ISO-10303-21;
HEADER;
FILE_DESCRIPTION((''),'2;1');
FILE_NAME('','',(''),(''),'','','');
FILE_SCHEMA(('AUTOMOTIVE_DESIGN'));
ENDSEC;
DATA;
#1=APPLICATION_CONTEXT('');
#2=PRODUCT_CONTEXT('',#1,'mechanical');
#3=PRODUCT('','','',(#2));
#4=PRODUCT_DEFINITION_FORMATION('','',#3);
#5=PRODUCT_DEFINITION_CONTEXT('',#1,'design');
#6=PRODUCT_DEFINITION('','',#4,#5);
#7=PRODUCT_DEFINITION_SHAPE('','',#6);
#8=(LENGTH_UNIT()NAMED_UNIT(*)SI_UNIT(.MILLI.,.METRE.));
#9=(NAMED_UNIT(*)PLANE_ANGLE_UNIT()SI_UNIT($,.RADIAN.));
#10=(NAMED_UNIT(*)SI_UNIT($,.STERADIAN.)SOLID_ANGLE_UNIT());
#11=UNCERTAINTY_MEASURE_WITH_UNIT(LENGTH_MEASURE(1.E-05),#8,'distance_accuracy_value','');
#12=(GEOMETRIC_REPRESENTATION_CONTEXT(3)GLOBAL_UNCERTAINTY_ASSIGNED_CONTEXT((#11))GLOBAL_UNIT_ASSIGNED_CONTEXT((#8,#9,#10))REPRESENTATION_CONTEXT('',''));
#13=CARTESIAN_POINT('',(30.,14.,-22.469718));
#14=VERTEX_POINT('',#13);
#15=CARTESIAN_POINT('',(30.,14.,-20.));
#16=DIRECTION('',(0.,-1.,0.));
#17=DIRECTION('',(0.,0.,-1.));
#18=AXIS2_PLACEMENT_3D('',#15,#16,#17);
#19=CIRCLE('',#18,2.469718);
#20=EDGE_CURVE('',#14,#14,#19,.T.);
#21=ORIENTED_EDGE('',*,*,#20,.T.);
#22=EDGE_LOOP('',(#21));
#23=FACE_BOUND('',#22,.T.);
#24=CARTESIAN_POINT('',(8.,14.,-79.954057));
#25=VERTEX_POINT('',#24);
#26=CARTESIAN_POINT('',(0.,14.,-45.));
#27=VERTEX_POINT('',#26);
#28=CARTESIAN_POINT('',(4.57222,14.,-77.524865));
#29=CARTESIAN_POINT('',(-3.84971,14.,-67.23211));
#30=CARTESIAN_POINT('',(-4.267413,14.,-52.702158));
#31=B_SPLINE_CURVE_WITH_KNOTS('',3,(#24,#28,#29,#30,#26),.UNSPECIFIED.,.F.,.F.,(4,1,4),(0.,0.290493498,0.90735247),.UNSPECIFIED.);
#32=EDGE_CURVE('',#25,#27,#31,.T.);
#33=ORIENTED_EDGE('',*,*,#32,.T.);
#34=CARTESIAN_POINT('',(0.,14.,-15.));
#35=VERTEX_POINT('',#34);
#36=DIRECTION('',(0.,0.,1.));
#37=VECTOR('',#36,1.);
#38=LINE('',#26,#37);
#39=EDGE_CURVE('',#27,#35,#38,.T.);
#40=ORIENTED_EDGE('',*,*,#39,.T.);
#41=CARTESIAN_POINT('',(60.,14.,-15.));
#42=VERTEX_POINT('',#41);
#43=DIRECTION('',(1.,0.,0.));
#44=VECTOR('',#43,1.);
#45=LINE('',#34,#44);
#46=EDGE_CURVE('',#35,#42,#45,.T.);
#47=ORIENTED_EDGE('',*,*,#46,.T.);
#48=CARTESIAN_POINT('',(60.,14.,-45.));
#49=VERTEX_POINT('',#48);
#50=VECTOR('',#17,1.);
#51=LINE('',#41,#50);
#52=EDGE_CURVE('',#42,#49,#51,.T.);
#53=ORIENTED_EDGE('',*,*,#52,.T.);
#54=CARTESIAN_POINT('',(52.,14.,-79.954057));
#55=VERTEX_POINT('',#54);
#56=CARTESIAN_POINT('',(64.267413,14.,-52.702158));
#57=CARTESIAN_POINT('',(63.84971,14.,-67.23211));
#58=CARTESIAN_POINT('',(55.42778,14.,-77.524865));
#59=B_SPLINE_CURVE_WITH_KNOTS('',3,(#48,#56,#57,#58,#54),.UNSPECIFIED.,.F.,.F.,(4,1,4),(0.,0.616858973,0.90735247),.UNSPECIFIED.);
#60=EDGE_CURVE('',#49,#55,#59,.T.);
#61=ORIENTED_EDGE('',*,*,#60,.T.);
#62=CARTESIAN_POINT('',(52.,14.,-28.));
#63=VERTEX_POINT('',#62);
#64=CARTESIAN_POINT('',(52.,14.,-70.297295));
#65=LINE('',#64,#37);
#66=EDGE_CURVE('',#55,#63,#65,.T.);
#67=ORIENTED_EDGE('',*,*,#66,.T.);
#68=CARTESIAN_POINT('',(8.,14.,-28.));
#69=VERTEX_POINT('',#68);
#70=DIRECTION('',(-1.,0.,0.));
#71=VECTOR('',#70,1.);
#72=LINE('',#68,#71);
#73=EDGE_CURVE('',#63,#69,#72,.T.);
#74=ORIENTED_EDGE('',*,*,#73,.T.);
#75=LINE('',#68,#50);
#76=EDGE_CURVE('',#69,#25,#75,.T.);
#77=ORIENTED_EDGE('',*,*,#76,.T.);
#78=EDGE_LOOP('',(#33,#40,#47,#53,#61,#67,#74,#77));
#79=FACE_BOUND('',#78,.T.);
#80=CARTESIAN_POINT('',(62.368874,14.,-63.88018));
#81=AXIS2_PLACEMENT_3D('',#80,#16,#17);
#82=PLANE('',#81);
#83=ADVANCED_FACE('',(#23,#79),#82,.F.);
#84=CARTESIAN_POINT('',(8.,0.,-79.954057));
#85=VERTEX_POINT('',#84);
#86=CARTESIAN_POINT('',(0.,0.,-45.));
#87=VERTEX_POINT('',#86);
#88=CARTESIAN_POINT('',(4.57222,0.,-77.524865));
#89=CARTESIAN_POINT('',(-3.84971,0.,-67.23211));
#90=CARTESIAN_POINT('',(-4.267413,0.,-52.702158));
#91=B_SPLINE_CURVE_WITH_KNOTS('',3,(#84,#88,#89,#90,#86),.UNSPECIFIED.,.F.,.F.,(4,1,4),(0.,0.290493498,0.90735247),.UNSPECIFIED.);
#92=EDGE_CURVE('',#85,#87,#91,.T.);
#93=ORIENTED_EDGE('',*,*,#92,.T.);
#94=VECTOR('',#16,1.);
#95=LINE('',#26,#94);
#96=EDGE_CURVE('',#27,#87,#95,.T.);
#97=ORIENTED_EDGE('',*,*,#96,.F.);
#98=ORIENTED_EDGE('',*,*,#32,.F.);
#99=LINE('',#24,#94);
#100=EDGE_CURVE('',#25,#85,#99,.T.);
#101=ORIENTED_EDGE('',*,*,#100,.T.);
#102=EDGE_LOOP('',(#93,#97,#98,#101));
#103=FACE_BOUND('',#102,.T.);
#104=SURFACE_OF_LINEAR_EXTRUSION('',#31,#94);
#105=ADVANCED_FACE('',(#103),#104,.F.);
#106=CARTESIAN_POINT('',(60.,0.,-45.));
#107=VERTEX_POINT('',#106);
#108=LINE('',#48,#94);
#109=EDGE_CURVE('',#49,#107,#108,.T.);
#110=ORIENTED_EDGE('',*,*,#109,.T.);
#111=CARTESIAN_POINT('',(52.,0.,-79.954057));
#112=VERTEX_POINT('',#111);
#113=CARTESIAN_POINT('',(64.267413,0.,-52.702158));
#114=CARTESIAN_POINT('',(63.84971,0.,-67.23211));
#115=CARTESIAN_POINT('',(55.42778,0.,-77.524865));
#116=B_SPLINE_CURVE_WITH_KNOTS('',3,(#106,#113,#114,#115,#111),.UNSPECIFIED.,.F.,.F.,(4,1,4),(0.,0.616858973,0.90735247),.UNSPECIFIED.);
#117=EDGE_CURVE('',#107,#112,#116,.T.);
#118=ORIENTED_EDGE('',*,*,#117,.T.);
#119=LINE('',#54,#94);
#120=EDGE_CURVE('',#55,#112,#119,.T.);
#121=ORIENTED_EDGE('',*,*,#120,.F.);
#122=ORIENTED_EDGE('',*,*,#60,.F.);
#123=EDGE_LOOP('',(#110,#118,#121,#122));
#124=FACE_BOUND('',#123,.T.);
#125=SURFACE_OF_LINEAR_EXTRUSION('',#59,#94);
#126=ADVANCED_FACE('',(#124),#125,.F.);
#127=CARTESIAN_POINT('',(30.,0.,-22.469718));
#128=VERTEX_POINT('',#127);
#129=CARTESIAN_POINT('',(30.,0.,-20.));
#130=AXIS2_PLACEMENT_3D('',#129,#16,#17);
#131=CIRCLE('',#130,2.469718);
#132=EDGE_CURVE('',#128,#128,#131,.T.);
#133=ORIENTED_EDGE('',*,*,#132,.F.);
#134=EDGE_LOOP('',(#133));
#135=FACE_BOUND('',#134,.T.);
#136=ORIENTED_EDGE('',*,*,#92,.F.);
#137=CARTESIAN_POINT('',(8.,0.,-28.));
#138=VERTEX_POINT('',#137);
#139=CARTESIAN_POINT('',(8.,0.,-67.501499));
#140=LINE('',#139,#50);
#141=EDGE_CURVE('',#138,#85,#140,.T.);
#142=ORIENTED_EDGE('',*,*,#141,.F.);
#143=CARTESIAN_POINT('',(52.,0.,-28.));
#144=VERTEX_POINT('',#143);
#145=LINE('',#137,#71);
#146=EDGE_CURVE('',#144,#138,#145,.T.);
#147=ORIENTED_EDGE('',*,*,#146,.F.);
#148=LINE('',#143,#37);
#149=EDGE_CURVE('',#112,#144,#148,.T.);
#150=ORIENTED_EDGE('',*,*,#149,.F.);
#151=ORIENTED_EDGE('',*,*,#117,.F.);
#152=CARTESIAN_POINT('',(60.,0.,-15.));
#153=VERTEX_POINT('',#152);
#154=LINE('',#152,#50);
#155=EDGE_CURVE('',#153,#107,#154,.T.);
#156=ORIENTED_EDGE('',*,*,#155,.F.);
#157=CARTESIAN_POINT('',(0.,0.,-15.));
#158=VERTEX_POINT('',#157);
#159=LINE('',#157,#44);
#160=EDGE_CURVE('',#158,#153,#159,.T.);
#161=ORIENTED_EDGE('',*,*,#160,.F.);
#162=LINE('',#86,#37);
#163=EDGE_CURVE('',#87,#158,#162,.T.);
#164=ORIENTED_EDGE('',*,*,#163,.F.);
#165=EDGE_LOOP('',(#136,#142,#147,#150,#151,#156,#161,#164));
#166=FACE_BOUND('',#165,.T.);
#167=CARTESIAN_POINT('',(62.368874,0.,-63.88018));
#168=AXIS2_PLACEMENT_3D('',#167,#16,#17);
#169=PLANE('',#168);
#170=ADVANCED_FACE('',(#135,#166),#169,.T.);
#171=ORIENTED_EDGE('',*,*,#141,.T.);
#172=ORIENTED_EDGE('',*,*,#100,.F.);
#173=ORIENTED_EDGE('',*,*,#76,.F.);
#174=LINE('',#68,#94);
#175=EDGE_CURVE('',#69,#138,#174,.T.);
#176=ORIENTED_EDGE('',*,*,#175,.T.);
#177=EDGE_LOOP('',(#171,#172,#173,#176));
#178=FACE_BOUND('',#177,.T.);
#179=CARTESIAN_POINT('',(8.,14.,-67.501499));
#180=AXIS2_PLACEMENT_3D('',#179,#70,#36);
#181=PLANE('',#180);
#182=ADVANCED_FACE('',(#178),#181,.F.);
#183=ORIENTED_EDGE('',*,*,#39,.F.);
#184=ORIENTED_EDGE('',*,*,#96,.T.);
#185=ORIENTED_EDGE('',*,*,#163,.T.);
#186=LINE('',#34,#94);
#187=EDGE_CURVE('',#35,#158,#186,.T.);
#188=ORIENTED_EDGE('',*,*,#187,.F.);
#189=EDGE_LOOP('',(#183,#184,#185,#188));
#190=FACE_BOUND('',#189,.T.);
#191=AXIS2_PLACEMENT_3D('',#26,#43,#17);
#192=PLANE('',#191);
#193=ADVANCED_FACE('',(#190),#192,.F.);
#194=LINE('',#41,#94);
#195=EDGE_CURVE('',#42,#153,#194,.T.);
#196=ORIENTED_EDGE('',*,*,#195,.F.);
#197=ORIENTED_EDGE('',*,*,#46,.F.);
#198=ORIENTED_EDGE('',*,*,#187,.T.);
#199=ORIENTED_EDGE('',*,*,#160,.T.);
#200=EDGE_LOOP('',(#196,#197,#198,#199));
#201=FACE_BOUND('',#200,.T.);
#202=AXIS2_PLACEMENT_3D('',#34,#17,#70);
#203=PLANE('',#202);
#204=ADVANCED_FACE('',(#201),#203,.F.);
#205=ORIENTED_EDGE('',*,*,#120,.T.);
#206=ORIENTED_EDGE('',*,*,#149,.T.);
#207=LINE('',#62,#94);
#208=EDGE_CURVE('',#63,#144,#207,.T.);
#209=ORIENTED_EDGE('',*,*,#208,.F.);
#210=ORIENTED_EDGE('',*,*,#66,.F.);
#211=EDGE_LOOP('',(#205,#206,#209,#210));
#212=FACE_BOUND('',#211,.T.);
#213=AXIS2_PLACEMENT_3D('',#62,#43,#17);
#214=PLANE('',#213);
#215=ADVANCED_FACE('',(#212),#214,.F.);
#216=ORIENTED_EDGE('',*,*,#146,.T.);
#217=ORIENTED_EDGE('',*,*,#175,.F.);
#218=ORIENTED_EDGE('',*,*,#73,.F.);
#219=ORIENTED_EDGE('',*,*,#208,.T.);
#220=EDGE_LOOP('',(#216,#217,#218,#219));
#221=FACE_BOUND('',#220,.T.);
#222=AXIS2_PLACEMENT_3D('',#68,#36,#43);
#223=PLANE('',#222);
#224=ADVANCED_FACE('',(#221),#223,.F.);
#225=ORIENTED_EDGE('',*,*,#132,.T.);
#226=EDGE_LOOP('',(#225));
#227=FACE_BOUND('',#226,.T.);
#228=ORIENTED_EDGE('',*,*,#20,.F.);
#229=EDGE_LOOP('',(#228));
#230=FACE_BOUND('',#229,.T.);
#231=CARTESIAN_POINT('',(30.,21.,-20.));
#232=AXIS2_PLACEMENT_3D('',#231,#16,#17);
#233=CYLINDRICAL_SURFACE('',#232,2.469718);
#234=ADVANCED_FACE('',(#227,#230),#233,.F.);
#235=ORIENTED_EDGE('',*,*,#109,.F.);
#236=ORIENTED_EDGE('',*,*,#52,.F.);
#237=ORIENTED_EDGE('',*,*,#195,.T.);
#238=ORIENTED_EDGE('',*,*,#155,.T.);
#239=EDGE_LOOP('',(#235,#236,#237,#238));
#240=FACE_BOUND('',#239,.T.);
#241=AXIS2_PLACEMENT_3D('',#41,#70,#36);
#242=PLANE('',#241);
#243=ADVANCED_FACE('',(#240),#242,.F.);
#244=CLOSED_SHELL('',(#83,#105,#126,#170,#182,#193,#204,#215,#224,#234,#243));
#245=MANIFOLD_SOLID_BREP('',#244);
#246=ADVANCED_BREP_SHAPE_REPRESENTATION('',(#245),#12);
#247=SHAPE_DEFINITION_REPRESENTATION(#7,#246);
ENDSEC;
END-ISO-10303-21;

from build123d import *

# Parameters (mm, degrees)
BOSS_EXTRUDE1_DEPTH = 14
SKETCH3_R           = 2.469718116
CUT_EXTRUDE1_DEPTH  = 21


with BuildPart() as part:
    # Sketch1 → Boss-Extrude1 (new body)
    with BuildSketch(Plane(origin=(0, 0, 0), x_dir=(1, 0, 0), z_dir=(0, 1, 0))):
        with BuildLine():
            Line((8, 67.50149873), (8, 79.954057008))
            add(Edge.make_bspline(
                [(0, 45), (-4.267413412, 52.702157849), (-3.849710429, 67.232110416), (4.572220088, 77.524864833), (8, 79.954057008)],
                knots=[0, 0, 0, 0, 0.616858973, 0.90735247, 0.90735247, 0.90735247, 0.90735247], degree=3))
            Line((0, 45), (0, 15))
            Line((0, 15), (60, 15))
            Line((60, 15), (60, 45))
            add(Edge.make_bspline(
                [(60, 45), (64.267413412, 52.702157849), (63.849710429, 67.232110416), (55.427779912, 77.524864833), (52, 79.954057008)],
                knots=[0, 0, 0, 0, 0.616858973, 0.90735247, 0.90735247, 0.90735247, 0.90735247], degree=3))
            Line((52, 79.954057008), (52, 70.29729534))
            Line((52, 70.29729534), (52, 28))
            Line((52, 28), (8, 28))
            Line((8, 28), (8, 67.50149873))
        make_face()
    extrude(amount=BOSS_EXTRUDE1_DEPTH)

    # Sketch3 → Cut-Extrude1 (cut)
    with BuildSketch(Plane.XZ):
        with Locations(Location((30, -20, 0), (0, 0, 270))):
            Circle(SKETCH3_R)
    extrude(amount=-CUT_EXTRUDE1_DEPTH, mode=Mode.SUBTRACT)


solid = part.part
